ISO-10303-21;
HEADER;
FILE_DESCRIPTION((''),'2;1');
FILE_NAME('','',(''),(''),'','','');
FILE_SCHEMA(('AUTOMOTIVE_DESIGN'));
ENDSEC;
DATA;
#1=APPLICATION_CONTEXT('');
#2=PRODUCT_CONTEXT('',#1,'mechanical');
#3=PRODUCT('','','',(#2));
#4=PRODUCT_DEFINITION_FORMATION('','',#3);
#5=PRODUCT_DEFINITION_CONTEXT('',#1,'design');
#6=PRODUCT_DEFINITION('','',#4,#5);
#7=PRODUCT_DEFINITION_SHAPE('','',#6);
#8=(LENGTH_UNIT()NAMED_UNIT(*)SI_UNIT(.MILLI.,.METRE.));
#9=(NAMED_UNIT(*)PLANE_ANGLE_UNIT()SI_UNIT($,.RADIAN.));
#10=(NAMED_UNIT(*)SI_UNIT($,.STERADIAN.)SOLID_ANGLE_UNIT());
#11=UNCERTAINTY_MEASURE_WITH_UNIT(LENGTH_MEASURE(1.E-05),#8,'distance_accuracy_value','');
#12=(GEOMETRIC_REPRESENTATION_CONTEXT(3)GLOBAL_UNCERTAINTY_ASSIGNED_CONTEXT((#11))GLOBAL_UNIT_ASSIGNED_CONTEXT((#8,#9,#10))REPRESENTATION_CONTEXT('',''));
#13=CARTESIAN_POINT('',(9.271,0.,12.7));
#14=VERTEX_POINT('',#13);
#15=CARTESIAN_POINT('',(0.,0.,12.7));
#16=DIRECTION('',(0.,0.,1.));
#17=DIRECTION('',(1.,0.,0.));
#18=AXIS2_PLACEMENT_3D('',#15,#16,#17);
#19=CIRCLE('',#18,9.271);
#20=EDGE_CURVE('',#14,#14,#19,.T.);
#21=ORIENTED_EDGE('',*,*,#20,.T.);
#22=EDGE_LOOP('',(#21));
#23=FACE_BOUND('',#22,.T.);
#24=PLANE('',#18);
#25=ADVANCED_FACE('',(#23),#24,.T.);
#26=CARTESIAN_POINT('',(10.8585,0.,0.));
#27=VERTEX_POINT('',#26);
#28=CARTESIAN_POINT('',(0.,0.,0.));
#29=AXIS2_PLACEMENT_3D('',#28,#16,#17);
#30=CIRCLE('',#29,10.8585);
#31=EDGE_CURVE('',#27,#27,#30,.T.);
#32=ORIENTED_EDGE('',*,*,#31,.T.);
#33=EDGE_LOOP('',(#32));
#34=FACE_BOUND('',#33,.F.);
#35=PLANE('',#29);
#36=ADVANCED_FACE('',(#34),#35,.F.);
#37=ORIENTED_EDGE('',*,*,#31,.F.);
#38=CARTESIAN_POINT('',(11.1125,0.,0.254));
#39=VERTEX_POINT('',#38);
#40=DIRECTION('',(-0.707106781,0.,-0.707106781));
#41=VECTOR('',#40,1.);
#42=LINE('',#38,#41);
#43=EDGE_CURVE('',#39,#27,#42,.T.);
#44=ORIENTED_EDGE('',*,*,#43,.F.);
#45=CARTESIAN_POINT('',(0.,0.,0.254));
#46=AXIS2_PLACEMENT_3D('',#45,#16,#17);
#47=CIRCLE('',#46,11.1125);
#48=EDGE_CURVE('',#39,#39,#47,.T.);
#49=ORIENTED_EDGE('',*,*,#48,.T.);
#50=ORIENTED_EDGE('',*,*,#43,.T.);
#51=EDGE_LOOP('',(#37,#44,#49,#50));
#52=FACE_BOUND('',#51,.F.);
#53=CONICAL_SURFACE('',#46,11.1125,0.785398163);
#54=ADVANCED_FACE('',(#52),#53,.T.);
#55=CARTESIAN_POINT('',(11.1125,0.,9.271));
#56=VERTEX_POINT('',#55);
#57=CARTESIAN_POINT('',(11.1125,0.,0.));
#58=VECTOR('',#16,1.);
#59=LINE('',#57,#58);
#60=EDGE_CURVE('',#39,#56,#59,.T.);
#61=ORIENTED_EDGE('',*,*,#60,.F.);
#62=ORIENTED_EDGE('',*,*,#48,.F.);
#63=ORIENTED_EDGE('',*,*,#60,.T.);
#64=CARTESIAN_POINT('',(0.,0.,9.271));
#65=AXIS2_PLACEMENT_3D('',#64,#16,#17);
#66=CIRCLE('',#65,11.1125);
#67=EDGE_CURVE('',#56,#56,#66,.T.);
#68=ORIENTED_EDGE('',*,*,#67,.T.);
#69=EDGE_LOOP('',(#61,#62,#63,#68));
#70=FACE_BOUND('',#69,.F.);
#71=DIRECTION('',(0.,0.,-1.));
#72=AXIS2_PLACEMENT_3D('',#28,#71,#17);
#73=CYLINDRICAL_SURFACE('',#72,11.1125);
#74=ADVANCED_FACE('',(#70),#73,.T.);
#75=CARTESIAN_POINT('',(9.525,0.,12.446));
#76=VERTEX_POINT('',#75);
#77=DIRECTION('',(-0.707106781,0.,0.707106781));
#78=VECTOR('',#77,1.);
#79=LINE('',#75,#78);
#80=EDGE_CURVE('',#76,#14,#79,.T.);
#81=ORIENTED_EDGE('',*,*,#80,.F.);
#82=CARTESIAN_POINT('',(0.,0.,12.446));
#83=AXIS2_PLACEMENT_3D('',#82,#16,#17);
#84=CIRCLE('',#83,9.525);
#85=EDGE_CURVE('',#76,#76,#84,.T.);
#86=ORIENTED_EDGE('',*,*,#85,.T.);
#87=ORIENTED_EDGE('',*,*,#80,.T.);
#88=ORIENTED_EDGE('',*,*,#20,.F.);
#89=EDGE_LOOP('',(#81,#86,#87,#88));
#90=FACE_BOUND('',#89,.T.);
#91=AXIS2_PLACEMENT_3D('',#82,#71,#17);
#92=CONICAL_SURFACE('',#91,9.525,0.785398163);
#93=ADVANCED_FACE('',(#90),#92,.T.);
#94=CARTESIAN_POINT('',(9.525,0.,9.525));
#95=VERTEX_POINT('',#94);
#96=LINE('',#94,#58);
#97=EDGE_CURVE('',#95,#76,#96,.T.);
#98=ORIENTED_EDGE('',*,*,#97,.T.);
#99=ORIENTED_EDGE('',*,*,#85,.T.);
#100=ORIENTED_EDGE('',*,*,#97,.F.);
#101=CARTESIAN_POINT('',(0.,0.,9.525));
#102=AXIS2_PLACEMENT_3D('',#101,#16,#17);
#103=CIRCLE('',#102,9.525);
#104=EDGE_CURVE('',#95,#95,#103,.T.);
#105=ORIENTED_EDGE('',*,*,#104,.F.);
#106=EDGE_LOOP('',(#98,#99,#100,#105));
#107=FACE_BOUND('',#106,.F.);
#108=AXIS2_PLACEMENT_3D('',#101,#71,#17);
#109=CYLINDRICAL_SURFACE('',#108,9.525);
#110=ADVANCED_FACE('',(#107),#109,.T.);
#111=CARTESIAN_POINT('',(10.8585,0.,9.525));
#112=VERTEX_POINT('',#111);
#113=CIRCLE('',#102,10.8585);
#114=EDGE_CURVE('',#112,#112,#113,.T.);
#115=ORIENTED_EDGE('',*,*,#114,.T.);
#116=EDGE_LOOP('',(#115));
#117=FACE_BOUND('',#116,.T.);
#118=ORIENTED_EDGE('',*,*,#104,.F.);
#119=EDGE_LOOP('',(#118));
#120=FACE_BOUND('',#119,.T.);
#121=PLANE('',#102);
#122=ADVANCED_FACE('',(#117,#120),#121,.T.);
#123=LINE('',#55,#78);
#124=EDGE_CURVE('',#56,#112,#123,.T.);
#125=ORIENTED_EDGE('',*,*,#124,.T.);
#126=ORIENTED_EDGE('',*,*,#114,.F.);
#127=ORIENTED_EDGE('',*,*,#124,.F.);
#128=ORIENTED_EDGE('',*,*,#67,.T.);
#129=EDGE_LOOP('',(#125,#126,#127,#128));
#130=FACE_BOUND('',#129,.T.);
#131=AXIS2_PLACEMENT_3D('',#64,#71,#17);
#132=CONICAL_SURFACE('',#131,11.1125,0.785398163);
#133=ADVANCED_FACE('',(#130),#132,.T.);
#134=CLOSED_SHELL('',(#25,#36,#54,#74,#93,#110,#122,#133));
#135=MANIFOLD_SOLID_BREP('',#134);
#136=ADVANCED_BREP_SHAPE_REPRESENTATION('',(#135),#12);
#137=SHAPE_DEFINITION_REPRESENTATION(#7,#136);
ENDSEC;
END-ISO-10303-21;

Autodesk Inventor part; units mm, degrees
ref_plane "YZ Plane" through (0, 0, 0) normal (1, 0, 0) x (0, 1, 0)
ref_plane "XZ Plane" through (0, 0, 0) normal (0, 1, 0) x (-1, 0, 0)
ref_plane "XY Plane" through (0, 0, 0) normal (0, 0, 1) x (1, 0, 0)
sketch "Sketch1" plane through (0, 0, 0) normal (0, 0, 1) x (1, 0, 0)
  circle A0 centre (0, 0) radius 11.1125
  dimension "d5" = 22.225
extrude "Extrusion1" add sketch "Sketch1" along normal blind 9.525
sketch "Sketch2" plane through (0, 0, 9.525) normal (0, 0, 1) x (1, 0, 0)
  circle A0 centre (0, 0) radius 11.1125 projected
  circle A1 centre (0, 0) radius 9.525
  dimension "d4" = 19.05
extrude "Extrusion2" add sketch "Sketch2" along normal blind 3.175 contours A1
chamfer "Chamfer1" distance 0.254 angle 45 3 edges at (-9.525, 0, 12.7) (-11.1125, 0, 9.525) (-11.1125, 0, 0)
properties part number "rear cyl head"
